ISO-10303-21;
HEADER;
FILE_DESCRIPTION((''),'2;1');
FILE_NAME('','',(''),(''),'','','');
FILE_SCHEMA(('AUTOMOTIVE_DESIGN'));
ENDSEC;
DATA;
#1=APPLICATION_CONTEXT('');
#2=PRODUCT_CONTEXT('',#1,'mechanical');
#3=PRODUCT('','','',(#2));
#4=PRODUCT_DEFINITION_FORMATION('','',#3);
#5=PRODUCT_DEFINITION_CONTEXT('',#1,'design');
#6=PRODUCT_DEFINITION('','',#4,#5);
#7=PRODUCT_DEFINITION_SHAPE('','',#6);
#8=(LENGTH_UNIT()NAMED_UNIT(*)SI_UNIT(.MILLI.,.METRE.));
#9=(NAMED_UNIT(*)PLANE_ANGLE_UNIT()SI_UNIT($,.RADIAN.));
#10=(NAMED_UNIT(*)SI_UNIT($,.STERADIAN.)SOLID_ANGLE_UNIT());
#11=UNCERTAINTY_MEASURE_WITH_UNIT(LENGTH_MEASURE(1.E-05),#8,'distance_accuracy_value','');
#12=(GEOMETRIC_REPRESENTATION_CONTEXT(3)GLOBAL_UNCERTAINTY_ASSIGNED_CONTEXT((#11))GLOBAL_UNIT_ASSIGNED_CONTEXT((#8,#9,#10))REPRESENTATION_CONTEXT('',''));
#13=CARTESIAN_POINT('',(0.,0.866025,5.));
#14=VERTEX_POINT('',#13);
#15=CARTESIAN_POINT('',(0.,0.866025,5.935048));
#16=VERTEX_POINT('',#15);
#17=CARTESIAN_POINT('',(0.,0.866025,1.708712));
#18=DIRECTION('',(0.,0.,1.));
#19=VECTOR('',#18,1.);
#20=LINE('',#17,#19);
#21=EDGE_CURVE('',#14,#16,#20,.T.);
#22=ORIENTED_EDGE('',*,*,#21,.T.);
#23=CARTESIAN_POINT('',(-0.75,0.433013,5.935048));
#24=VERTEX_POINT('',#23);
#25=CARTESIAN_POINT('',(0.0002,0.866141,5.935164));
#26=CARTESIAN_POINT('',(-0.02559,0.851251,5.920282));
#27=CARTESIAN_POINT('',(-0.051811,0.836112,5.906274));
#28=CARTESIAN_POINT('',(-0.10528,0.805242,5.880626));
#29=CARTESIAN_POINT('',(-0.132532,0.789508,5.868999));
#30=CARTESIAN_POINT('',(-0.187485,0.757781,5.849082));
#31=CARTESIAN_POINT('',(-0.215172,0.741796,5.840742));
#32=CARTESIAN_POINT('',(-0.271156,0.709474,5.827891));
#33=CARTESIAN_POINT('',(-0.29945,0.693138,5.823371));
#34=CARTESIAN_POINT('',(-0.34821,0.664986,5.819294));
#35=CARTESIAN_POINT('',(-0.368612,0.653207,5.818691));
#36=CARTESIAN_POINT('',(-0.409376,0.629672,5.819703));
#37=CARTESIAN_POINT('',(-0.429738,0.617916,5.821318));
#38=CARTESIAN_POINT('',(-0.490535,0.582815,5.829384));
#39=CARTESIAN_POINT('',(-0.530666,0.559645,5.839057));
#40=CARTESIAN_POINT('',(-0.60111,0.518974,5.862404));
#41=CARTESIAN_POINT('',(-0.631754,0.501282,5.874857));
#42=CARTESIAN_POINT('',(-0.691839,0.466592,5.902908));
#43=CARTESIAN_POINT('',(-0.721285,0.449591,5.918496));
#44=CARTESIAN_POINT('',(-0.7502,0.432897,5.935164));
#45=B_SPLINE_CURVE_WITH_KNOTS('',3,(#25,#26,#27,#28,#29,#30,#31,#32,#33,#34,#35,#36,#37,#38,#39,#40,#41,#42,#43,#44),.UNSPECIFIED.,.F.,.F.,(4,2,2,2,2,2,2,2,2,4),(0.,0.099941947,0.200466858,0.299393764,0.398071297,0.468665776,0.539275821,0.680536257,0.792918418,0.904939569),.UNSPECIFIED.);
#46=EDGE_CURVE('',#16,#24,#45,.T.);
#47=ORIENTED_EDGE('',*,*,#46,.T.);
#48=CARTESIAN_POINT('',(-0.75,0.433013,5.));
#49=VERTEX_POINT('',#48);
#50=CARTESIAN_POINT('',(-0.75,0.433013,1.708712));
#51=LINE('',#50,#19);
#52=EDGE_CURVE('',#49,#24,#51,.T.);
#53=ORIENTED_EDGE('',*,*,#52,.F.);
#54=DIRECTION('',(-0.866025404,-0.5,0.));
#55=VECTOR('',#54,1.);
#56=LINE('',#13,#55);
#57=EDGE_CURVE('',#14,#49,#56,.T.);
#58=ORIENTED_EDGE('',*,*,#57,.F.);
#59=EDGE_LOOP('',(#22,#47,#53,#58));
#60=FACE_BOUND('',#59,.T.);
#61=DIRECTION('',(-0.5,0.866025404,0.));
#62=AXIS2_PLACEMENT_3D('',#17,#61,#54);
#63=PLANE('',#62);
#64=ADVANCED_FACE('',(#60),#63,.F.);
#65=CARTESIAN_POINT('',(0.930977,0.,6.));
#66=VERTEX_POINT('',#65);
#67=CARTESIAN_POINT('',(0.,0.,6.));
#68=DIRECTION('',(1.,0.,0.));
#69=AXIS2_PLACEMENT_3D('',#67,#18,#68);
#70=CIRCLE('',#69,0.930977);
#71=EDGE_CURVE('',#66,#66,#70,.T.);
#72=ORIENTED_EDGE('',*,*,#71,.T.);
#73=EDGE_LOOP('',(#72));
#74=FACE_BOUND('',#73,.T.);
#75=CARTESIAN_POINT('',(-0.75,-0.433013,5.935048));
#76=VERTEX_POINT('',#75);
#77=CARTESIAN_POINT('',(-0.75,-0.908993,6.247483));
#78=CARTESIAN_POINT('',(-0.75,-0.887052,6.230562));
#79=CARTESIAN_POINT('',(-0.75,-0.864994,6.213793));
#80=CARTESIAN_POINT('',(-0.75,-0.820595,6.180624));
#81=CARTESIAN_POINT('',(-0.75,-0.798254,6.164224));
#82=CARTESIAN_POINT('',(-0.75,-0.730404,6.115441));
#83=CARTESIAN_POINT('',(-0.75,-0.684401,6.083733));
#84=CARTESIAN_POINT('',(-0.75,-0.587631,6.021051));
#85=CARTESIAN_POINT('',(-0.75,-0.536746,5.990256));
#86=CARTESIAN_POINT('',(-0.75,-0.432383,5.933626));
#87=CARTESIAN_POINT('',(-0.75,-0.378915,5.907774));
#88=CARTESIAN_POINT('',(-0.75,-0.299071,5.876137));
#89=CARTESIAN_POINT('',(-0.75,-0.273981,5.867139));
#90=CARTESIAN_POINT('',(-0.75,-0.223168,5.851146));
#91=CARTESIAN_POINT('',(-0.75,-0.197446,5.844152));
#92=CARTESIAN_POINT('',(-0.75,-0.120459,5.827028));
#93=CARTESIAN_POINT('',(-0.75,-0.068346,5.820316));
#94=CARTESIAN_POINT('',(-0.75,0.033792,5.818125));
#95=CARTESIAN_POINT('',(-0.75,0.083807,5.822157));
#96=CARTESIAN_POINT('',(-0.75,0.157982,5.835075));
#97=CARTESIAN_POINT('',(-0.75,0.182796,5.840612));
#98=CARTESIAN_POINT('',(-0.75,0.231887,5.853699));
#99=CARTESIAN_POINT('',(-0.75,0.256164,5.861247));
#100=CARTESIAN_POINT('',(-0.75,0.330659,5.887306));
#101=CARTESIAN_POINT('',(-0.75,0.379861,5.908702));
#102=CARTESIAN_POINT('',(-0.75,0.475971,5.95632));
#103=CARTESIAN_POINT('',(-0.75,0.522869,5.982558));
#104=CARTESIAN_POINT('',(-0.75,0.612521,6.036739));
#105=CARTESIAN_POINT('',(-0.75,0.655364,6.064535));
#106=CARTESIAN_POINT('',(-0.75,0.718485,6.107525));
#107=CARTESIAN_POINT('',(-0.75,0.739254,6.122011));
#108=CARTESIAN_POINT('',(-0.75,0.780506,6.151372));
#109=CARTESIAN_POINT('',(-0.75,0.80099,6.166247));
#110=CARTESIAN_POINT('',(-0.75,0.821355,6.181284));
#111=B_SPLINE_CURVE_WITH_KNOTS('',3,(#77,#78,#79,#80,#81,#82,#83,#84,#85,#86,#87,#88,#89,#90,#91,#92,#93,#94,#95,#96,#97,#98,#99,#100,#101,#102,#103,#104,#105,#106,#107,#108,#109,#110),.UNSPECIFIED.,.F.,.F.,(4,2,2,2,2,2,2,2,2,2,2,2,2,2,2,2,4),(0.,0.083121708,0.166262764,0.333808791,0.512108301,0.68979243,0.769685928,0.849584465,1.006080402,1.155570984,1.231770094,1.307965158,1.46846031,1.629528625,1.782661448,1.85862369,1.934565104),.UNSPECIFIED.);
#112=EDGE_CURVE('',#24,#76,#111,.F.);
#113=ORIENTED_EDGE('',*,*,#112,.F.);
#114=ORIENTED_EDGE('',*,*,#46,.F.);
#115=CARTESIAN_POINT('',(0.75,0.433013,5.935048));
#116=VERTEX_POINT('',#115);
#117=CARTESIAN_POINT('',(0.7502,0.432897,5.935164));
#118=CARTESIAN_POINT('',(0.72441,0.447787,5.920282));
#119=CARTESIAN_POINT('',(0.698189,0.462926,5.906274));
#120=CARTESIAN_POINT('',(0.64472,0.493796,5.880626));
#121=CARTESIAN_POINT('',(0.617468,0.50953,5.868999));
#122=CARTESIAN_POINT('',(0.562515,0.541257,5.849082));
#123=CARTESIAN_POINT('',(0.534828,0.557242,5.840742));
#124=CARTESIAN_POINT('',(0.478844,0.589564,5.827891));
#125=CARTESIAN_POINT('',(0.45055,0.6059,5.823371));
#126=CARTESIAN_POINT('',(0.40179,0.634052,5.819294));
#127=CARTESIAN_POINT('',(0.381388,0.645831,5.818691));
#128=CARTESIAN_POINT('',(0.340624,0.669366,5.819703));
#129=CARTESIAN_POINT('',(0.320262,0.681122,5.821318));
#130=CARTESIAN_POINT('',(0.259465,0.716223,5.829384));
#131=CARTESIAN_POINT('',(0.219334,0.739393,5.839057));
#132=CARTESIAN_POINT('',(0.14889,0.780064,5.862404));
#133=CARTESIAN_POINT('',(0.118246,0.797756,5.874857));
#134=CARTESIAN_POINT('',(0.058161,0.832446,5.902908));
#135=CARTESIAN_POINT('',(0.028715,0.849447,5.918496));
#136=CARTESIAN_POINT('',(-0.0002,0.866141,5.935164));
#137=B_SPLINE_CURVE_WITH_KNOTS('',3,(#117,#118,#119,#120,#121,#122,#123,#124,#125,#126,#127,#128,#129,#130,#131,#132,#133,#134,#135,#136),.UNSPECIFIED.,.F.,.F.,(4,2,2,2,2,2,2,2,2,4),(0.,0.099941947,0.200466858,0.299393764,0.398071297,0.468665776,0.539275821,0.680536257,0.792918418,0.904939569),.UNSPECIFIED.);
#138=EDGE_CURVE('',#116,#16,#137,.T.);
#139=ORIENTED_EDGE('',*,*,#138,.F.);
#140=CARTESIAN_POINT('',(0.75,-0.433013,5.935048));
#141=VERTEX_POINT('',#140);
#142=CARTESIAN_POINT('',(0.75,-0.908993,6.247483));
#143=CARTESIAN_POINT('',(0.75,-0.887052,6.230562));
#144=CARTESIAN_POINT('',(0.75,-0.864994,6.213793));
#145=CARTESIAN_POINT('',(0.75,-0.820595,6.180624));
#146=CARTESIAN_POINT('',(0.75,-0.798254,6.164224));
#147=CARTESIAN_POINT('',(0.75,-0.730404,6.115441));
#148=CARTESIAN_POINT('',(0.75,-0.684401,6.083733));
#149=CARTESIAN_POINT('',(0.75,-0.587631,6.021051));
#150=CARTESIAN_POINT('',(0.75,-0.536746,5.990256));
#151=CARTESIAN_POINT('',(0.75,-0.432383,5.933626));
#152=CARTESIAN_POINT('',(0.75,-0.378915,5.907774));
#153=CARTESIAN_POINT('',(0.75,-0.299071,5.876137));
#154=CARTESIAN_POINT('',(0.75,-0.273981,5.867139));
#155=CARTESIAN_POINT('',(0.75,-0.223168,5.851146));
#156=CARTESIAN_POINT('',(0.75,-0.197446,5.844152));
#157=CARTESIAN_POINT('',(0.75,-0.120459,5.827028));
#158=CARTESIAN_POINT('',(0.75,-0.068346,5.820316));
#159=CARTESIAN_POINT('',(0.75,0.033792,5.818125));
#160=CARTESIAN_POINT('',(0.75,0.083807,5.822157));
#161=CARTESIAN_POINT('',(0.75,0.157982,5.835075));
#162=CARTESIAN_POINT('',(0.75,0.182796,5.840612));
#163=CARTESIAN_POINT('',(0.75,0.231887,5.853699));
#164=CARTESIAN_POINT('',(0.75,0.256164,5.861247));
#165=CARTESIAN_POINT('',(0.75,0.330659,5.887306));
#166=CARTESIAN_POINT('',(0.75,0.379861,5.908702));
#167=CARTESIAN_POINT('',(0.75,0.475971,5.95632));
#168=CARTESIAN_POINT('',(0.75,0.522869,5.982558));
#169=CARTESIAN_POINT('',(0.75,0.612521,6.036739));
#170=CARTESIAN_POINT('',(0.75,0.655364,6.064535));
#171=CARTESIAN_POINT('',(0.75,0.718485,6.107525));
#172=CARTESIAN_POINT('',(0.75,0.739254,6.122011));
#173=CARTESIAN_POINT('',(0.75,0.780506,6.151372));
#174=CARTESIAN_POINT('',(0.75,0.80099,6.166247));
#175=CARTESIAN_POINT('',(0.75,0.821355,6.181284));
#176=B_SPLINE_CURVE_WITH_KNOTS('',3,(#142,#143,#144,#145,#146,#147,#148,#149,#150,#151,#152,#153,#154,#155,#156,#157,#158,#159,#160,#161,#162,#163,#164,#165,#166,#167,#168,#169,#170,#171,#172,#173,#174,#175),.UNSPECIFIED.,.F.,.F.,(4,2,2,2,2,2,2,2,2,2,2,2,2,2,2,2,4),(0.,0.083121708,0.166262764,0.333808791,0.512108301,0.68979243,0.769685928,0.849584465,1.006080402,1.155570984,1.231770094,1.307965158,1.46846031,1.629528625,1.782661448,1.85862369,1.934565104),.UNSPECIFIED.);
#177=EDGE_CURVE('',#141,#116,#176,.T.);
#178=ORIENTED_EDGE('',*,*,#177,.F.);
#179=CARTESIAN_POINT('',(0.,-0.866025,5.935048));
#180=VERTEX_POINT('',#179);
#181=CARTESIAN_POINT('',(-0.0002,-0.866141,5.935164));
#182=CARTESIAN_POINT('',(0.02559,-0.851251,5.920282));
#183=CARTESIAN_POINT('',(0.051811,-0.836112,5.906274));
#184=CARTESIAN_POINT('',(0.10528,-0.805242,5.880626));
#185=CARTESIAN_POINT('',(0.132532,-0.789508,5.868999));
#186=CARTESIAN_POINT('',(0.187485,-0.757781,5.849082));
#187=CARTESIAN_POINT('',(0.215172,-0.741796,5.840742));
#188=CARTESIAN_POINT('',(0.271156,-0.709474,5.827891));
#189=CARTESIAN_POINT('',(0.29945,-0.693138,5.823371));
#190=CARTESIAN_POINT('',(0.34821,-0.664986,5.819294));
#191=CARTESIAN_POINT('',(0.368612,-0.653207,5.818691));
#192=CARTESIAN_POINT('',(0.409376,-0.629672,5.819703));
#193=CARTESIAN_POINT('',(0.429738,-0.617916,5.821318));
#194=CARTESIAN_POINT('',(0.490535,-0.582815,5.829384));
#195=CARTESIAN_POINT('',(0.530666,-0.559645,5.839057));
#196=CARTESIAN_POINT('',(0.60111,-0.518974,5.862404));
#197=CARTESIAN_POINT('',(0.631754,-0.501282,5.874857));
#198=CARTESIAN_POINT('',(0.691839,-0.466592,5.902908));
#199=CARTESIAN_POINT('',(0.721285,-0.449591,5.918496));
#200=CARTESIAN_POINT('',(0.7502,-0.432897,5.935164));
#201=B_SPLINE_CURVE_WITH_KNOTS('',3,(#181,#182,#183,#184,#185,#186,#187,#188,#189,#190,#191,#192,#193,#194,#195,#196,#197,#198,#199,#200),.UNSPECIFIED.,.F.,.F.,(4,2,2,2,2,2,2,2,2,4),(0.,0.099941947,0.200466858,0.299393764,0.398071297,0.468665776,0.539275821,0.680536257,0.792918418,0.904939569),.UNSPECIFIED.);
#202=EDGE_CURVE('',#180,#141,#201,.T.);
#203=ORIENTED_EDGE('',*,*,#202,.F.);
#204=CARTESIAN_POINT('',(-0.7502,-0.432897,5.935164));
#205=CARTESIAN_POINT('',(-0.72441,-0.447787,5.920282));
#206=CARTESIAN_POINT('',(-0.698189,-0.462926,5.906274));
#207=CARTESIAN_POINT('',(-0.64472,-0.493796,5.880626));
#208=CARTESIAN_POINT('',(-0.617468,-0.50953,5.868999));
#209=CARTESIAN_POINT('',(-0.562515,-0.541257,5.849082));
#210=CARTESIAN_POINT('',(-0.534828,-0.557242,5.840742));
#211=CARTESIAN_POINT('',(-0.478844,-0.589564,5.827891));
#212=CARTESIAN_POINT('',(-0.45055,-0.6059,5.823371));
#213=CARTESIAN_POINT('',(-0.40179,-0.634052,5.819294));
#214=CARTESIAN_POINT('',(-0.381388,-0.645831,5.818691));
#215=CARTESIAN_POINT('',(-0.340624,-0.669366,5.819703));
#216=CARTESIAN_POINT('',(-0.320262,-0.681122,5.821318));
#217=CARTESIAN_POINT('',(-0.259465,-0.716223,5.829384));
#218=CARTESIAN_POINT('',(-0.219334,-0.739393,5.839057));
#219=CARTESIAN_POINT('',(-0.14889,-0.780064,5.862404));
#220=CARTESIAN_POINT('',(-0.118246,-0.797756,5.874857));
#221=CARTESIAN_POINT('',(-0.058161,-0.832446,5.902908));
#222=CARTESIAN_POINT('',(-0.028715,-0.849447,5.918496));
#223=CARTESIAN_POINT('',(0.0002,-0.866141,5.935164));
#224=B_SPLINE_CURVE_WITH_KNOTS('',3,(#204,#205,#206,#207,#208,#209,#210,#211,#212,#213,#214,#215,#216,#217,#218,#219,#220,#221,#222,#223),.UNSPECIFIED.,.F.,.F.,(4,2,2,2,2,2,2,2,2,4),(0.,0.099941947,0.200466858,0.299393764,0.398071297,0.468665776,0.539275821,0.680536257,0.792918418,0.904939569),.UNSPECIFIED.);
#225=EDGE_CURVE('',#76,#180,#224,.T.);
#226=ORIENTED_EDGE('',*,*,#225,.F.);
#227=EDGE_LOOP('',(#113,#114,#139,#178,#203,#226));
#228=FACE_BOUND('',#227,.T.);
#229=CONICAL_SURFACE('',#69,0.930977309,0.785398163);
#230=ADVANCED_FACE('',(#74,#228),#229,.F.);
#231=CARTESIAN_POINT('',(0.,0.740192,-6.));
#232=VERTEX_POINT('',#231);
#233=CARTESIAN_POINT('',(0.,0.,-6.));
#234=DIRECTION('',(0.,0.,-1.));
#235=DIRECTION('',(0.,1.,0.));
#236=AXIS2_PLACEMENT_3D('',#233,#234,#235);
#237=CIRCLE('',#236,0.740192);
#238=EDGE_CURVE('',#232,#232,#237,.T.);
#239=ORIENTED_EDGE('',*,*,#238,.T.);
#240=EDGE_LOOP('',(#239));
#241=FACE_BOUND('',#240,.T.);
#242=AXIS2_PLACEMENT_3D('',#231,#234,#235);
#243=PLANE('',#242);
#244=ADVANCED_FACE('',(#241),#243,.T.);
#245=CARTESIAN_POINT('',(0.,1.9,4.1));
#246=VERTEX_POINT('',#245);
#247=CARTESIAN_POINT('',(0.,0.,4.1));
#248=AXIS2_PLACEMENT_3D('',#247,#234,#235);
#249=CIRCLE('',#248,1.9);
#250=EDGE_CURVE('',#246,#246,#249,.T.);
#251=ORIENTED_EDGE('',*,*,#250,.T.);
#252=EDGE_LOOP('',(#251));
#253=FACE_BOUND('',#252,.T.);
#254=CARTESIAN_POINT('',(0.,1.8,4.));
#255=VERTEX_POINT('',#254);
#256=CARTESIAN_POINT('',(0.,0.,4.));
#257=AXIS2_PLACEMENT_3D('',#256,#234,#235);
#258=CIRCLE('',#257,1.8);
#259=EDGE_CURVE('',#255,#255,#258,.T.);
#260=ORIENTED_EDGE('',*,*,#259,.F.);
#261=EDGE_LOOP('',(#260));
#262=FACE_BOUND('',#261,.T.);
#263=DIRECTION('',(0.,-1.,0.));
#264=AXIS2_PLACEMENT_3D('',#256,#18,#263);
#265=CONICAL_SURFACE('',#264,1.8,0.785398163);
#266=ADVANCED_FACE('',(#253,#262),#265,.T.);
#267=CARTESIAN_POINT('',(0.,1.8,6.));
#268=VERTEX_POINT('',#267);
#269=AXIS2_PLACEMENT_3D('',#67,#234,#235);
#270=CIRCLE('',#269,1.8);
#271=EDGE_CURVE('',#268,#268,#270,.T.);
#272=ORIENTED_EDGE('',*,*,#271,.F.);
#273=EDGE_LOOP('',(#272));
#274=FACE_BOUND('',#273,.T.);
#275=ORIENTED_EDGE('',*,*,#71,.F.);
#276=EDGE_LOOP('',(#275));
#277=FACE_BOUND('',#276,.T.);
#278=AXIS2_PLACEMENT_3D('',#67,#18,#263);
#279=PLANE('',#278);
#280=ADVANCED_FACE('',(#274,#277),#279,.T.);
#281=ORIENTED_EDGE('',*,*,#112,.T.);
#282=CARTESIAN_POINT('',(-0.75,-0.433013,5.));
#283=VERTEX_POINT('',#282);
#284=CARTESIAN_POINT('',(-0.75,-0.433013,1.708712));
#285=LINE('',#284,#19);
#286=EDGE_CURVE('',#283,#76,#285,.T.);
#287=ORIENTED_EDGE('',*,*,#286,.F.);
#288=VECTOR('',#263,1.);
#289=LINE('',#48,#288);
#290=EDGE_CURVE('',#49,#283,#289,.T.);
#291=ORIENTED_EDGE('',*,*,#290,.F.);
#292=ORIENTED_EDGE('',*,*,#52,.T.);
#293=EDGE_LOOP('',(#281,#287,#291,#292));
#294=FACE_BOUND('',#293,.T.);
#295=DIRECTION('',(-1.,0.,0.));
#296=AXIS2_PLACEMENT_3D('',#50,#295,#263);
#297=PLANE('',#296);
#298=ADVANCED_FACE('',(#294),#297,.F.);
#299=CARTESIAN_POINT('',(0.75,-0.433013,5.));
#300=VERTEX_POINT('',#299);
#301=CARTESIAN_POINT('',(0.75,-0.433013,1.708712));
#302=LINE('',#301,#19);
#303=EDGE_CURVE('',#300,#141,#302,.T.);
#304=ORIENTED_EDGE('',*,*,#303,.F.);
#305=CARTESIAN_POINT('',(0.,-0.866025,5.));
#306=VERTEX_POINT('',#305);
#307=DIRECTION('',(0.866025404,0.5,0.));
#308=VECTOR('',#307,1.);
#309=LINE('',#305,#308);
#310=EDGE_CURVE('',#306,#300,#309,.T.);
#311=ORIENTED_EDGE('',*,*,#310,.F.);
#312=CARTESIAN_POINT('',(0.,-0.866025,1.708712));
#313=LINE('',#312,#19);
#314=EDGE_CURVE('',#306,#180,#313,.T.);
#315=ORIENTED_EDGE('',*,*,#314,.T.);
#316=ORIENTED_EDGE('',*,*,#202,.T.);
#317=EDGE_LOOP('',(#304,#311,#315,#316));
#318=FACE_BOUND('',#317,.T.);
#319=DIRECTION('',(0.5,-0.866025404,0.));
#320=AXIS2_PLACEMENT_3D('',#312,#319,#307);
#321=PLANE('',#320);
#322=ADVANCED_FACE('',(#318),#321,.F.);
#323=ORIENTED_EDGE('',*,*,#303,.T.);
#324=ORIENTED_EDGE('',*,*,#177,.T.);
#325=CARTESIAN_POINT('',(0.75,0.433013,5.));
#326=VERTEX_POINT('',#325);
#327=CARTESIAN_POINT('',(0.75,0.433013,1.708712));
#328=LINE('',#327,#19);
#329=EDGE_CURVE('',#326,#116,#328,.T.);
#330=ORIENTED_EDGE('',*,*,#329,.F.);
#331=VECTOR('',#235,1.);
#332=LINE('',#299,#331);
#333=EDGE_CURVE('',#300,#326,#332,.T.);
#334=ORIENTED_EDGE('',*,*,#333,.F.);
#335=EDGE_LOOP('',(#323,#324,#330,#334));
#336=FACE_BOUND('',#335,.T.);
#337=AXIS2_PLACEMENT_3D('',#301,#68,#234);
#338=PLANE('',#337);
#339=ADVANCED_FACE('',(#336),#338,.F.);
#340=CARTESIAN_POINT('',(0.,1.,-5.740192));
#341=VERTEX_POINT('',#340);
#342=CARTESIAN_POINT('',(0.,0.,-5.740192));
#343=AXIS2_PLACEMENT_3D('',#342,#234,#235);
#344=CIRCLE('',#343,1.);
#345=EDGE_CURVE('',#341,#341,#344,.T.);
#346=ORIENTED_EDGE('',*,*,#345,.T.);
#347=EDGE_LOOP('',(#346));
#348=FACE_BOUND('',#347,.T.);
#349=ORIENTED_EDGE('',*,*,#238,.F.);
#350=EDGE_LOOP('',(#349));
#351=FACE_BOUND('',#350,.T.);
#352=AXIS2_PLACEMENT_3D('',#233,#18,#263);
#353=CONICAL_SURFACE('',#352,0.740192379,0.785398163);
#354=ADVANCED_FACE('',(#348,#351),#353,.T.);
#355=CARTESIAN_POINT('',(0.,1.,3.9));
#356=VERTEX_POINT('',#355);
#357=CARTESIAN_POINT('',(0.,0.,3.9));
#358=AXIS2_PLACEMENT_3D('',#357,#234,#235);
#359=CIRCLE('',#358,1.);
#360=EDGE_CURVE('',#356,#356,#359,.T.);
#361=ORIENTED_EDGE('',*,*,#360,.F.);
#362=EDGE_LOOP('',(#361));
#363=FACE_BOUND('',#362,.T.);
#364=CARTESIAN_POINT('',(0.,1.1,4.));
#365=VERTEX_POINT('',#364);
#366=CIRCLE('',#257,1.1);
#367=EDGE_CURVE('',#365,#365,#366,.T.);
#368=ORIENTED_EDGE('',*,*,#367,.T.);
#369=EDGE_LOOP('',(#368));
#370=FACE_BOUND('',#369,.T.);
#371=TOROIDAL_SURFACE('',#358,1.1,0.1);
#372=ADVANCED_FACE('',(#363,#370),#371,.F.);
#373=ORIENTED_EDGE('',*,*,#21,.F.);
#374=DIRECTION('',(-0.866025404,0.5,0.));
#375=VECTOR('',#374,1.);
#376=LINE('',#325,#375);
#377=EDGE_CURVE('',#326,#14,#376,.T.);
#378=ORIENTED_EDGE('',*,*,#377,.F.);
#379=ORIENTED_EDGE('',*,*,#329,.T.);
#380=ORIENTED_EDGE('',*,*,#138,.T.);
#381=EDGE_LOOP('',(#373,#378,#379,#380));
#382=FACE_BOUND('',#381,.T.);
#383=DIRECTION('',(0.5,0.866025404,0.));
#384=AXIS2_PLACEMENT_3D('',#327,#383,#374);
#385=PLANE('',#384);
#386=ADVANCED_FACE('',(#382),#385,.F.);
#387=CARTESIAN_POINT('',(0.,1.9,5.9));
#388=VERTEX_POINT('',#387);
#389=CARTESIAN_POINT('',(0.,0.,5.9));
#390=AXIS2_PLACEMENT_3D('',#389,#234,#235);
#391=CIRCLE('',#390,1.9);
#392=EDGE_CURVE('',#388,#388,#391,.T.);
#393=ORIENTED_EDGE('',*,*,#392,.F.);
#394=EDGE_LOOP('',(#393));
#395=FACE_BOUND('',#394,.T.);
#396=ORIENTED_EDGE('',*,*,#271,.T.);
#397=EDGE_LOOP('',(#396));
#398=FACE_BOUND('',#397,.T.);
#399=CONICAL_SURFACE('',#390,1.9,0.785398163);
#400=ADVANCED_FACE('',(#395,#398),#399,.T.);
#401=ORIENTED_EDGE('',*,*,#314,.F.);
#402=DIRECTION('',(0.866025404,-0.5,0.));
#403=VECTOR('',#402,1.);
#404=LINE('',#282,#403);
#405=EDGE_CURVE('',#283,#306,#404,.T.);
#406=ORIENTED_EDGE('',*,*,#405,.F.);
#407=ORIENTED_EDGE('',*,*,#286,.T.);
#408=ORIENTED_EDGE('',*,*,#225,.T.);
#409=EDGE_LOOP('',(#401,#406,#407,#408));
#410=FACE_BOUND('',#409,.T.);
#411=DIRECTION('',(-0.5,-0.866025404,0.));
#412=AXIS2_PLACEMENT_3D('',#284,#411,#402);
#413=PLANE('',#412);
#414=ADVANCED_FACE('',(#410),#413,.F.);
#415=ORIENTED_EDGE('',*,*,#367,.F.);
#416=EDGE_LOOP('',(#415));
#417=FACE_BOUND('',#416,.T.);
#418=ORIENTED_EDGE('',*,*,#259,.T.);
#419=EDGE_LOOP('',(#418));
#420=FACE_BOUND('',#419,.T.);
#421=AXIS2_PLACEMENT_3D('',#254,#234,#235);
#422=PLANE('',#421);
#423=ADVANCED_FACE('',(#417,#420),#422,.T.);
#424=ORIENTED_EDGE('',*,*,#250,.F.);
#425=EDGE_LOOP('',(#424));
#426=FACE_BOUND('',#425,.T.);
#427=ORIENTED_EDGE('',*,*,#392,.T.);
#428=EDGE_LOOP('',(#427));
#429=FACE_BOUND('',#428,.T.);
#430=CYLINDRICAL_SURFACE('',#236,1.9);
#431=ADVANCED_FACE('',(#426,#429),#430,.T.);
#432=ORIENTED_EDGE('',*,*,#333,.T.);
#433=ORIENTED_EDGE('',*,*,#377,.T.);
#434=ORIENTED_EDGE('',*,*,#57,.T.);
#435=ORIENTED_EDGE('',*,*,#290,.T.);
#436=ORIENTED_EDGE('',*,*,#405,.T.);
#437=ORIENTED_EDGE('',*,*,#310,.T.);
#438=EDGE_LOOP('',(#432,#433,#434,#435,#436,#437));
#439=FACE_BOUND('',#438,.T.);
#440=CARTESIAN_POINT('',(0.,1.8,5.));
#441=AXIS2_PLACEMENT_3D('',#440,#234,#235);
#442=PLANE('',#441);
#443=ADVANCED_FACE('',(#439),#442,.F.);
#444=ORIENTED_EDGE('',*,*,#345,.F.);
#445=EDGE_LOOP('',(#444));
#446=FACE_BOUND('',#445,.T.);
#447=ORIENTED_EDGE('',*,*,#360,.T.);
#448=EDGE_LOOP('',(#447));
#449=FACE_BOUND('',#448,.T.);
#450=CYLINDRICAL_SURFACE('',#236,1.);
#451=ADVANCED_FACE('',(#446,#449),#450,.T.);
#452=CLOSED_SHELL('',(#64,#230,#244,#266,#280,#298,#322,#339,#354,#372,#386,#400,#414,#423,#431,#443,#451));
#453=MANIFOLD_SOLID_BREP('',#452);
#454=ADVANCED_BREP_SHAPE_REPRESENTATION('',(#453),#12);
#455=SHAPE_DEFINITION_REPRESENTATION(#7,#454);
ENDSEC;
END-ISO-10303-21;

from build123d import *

# Parameters (mm, degrees)
CUT_EXTRUDE1_DEPTH = 1
SKETCH4_R          = 0.930977309
CUT_EXTRUDE2_DEPTH = 1
CUT_EXTRUDE2_DRAFT = -45


with BuildPart() as part:
    # Sketch2 → Revolve1 (revolve)
    with BuildSketch(Plane(origin=(0, 0, 0), x_dir=(0, 0, -1), z_dir=(1, 0, 0))):
        with BuildLine():
            Line((-6, 0), (-6, 1.8))
            Line((-6, 1.8), (-5.9, 1.9))
            Line((-5.9, 1.9), (-4.1, 1.9))
            Line((-4.1, 1.9), (-4, 1.8))
            Line((-4, 1.8), (-4, 1.1))
            ThreePointArc((-4, 1.1), (-3.970710678, 1.029289322), (-3.9, 1))
            Line((-3.9, 1), (5.740192379, 1))
            Line((5.740192379, 1), (6, 0.740192379))
            Line((6, 0.740192379), (6, 0))
            Line((6, 0), (-6, 0))
        make_face()
    revolve(axis=Axis((0, 0, -6), (0, 0, 1)))

    # Sketch3 → Cut-Extrude1 (cut)
    with BuildSketch(Plane.XY.offset(6)):
        Polygon((0.75, -0.433012702), (0.75, 0.433012702), (0, 0.866025404), (-0.75, 0.433012702), (-0.75, -0.433012702), (0, -0.866025404), align=None)
    extrude(amount=-CUT_EXTRUDE1_DEPTH, mode=Mode.SUBTRACT)


with BuildPart() as cut_extrude2_tool:
    # Sketch4 → Cut-Extrude2 (with draft: the straight prism first)
    with BuildSketch(Plane.XY.offset(6)):
        Circle(SKETCH4_R)
    extrude(amount=-CUT_EXTRUDE2_DEPTH)
    # Cut-Extrude2: the draft: its side faces are tilted about the plane it starts from
    cut_extrude2_sides = [cut_extrude2_tool.faces().sort_by_distance(p)[0] for p in [
        (-0.930977309, 0, 5.5),
    ]]
    draft(cut_extrude2_sides, Plane.XY.offset(6), CUT_EXTRUDE2_DRAFT)


with BuildPart() as part_1:
    add(part.part)

    # Cut-Extrude2: cut by cut_extrude2_tool
    add(cut_extrude2_tool.part, mode=Mode.SUBTRACT)


solid = part_1.part
